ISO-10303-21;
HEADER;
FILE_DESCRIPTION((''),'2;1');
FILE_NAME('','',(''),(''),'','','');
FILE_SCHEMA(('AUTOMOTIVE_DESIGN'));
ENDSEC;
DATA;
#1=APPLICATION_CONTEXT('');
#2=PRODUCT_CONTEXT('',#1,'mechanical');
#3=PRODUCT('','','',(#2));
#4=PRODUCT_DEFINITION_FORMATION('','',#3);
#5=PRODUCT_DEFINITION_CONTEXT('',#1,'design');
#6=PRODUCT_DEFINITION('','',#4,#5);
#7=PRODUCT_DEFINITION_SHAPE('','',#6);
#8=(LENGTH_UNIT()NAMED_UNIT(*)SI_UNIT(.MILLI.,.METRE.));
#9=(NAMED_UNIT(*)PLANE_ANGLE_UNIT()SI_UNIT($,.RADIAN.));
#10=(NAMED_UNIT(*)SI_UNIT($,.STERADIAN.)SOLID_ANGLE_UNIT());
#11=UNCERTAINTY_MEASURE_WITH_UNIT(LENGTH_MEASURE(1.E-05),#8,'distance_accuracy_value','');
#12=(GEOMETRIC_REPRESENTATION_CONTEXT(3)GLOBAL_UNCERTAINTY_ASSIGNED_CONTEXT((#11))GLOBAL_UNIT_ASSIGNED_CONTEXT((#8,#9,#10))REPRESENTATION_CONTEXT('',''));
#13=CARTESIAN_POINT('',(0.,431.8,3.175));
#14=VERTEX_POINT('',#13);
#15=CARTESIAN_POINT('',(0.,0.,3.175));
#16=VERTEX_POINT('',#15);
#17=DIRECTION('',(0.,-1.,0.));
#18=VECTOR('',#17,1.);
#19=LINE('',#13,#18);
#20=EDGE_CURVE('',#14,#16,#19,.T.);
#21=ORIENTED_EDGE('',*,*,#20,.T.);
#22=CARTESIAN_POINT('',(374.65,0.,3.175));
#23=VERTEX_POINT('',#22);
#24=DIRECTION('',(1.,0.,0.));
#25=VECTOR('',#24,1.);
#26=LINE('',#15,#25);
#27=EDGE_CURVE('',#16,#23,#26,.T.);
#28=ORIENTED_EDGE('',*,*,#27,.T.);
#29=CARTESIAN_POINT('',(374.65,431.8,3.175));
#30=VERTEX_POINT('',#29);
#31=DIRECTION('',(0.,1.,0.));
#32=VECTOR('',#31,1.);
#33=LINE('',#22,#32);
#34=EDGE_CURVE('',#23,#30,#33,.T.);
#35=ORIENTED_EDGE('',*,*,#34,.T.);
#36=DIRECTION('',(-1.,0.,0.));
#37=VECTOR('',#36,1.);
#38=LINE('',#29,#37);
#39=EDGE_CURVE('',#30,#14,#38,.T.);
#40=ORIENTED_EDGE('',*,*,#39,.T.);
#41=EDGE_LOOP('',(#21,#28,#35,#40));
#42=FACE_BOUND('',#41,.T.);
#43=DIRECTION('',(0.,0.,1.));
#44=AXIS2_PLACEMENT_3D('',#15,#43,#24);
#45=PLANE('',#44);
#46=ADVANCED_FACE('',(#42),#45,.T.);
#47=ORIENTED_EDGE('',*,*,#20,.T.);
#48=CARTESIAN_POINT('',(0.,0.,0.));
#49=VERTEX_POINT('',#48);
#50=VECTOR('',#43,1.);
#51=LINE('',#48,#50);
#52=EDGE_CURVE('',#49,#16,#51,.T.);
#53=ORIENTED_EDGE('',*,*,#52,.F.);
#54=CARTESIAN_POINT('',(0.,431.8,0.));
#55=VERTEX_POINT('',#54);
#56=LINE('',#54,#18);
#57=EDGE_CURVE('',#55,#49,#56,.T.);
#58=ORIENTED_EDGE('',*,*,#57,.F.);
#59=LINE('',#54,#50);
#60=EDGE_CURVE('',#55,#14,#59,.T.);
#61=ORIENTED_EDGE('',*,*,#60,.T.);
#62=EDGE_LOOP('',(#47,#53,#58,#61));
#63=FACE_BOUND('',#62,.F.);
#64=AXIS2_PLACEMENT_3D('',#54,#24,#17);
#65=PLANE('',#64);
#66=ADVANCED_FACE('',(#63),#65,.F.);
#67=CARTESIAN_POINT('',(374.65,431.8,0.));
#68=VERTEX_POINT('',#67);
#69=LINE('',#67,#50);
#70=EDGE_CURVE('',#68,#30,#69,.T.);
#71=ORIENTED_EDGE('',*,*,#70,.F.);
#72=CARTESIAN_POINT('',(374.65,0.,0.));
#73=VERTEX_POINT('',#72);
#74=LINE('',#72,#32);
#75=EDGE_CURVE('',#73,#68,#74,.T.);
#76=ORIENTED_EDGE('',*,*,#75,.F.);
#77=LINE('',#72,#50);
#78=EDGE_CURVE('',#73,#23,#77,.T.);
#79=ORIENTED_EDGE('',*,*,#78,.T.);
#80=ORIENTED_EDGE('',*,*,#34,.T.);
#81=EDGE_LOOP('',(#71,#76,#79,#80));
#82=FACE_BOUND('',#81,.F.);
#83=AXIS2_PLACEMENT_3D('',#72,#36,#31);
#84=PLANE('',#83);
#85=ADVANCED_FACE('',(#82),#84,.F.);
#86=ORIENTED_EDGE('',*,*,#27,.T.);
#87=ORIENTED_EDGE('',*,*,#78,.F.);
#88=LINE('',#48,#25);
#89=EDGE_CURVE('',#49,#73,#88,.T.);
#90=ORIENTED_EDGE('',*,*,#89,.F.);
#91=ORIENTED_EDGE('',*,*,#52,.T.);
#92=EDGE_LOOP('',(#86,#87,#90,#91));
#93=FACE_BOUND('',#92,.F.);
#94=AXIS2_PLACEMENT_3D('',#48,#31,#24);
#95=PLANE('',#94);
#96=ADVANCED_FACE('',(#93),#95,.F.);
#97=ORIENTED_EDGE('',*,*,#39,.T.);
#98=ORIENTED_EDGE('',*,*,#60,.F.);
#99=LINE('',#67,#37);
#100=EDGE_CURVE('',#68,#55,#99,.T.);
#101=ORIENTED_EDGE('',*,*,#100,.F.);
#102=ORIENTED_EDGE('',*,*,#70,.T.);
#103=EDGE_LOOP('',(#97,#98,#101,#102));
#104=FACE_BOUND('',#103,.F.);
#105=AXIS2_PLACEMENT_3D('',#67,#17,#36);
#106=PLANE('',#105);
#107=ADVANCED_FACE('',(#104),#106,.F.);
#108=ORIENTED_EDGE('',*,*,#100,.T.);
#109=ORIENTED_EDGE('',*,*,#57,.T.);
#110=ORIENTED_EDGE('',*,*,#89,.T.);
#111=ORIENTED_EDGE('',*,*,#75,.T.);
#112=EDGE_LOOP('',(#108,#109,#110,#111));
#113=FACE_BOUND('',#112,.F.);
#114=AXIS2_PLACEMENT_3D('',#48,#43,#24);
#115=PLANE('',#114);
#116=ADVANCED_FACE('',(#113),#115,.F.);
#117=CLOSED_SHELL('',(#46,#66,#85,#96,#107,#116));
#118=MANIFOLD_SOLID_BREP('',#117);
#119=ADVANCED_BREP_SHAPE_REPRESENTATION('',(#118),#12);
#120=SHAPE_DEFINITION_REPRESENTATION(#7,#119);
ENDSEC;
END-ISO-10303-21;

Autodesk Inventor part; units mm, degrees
ref_plane "YZ Plane" through (0, 0, 0) normal (1, 0, 0) x (0, 1, 0)
ref_plane "XZ Plane" through (0, 0, 0) normal (0, 1, 0) x (-1, 0, 0)
ref_plane "XY Plane" through (0, 0, 0) normal (0, 0, 1) x (1, 0, 0)
sketch "Sketch1" plane through (0, 0, 0) normal (0, 0, 1) x (1, 0, 0)
  line L0 (0, 0) -> (374.65, 0)
  line L1 (374.65, 0) -> (374.65, 431.8)
  line L2 (374.65, 431.8) -> (0, 431.8)
  line L3 (0, 431.8) -> (0, 0)
  dimension "d0" = 431.8
  dimension "d1" = 374.65
extrude "Extrusion1" add sketch "Sketch1" along normal blind 3.175
properties part number "polycarb shooter bottom"
